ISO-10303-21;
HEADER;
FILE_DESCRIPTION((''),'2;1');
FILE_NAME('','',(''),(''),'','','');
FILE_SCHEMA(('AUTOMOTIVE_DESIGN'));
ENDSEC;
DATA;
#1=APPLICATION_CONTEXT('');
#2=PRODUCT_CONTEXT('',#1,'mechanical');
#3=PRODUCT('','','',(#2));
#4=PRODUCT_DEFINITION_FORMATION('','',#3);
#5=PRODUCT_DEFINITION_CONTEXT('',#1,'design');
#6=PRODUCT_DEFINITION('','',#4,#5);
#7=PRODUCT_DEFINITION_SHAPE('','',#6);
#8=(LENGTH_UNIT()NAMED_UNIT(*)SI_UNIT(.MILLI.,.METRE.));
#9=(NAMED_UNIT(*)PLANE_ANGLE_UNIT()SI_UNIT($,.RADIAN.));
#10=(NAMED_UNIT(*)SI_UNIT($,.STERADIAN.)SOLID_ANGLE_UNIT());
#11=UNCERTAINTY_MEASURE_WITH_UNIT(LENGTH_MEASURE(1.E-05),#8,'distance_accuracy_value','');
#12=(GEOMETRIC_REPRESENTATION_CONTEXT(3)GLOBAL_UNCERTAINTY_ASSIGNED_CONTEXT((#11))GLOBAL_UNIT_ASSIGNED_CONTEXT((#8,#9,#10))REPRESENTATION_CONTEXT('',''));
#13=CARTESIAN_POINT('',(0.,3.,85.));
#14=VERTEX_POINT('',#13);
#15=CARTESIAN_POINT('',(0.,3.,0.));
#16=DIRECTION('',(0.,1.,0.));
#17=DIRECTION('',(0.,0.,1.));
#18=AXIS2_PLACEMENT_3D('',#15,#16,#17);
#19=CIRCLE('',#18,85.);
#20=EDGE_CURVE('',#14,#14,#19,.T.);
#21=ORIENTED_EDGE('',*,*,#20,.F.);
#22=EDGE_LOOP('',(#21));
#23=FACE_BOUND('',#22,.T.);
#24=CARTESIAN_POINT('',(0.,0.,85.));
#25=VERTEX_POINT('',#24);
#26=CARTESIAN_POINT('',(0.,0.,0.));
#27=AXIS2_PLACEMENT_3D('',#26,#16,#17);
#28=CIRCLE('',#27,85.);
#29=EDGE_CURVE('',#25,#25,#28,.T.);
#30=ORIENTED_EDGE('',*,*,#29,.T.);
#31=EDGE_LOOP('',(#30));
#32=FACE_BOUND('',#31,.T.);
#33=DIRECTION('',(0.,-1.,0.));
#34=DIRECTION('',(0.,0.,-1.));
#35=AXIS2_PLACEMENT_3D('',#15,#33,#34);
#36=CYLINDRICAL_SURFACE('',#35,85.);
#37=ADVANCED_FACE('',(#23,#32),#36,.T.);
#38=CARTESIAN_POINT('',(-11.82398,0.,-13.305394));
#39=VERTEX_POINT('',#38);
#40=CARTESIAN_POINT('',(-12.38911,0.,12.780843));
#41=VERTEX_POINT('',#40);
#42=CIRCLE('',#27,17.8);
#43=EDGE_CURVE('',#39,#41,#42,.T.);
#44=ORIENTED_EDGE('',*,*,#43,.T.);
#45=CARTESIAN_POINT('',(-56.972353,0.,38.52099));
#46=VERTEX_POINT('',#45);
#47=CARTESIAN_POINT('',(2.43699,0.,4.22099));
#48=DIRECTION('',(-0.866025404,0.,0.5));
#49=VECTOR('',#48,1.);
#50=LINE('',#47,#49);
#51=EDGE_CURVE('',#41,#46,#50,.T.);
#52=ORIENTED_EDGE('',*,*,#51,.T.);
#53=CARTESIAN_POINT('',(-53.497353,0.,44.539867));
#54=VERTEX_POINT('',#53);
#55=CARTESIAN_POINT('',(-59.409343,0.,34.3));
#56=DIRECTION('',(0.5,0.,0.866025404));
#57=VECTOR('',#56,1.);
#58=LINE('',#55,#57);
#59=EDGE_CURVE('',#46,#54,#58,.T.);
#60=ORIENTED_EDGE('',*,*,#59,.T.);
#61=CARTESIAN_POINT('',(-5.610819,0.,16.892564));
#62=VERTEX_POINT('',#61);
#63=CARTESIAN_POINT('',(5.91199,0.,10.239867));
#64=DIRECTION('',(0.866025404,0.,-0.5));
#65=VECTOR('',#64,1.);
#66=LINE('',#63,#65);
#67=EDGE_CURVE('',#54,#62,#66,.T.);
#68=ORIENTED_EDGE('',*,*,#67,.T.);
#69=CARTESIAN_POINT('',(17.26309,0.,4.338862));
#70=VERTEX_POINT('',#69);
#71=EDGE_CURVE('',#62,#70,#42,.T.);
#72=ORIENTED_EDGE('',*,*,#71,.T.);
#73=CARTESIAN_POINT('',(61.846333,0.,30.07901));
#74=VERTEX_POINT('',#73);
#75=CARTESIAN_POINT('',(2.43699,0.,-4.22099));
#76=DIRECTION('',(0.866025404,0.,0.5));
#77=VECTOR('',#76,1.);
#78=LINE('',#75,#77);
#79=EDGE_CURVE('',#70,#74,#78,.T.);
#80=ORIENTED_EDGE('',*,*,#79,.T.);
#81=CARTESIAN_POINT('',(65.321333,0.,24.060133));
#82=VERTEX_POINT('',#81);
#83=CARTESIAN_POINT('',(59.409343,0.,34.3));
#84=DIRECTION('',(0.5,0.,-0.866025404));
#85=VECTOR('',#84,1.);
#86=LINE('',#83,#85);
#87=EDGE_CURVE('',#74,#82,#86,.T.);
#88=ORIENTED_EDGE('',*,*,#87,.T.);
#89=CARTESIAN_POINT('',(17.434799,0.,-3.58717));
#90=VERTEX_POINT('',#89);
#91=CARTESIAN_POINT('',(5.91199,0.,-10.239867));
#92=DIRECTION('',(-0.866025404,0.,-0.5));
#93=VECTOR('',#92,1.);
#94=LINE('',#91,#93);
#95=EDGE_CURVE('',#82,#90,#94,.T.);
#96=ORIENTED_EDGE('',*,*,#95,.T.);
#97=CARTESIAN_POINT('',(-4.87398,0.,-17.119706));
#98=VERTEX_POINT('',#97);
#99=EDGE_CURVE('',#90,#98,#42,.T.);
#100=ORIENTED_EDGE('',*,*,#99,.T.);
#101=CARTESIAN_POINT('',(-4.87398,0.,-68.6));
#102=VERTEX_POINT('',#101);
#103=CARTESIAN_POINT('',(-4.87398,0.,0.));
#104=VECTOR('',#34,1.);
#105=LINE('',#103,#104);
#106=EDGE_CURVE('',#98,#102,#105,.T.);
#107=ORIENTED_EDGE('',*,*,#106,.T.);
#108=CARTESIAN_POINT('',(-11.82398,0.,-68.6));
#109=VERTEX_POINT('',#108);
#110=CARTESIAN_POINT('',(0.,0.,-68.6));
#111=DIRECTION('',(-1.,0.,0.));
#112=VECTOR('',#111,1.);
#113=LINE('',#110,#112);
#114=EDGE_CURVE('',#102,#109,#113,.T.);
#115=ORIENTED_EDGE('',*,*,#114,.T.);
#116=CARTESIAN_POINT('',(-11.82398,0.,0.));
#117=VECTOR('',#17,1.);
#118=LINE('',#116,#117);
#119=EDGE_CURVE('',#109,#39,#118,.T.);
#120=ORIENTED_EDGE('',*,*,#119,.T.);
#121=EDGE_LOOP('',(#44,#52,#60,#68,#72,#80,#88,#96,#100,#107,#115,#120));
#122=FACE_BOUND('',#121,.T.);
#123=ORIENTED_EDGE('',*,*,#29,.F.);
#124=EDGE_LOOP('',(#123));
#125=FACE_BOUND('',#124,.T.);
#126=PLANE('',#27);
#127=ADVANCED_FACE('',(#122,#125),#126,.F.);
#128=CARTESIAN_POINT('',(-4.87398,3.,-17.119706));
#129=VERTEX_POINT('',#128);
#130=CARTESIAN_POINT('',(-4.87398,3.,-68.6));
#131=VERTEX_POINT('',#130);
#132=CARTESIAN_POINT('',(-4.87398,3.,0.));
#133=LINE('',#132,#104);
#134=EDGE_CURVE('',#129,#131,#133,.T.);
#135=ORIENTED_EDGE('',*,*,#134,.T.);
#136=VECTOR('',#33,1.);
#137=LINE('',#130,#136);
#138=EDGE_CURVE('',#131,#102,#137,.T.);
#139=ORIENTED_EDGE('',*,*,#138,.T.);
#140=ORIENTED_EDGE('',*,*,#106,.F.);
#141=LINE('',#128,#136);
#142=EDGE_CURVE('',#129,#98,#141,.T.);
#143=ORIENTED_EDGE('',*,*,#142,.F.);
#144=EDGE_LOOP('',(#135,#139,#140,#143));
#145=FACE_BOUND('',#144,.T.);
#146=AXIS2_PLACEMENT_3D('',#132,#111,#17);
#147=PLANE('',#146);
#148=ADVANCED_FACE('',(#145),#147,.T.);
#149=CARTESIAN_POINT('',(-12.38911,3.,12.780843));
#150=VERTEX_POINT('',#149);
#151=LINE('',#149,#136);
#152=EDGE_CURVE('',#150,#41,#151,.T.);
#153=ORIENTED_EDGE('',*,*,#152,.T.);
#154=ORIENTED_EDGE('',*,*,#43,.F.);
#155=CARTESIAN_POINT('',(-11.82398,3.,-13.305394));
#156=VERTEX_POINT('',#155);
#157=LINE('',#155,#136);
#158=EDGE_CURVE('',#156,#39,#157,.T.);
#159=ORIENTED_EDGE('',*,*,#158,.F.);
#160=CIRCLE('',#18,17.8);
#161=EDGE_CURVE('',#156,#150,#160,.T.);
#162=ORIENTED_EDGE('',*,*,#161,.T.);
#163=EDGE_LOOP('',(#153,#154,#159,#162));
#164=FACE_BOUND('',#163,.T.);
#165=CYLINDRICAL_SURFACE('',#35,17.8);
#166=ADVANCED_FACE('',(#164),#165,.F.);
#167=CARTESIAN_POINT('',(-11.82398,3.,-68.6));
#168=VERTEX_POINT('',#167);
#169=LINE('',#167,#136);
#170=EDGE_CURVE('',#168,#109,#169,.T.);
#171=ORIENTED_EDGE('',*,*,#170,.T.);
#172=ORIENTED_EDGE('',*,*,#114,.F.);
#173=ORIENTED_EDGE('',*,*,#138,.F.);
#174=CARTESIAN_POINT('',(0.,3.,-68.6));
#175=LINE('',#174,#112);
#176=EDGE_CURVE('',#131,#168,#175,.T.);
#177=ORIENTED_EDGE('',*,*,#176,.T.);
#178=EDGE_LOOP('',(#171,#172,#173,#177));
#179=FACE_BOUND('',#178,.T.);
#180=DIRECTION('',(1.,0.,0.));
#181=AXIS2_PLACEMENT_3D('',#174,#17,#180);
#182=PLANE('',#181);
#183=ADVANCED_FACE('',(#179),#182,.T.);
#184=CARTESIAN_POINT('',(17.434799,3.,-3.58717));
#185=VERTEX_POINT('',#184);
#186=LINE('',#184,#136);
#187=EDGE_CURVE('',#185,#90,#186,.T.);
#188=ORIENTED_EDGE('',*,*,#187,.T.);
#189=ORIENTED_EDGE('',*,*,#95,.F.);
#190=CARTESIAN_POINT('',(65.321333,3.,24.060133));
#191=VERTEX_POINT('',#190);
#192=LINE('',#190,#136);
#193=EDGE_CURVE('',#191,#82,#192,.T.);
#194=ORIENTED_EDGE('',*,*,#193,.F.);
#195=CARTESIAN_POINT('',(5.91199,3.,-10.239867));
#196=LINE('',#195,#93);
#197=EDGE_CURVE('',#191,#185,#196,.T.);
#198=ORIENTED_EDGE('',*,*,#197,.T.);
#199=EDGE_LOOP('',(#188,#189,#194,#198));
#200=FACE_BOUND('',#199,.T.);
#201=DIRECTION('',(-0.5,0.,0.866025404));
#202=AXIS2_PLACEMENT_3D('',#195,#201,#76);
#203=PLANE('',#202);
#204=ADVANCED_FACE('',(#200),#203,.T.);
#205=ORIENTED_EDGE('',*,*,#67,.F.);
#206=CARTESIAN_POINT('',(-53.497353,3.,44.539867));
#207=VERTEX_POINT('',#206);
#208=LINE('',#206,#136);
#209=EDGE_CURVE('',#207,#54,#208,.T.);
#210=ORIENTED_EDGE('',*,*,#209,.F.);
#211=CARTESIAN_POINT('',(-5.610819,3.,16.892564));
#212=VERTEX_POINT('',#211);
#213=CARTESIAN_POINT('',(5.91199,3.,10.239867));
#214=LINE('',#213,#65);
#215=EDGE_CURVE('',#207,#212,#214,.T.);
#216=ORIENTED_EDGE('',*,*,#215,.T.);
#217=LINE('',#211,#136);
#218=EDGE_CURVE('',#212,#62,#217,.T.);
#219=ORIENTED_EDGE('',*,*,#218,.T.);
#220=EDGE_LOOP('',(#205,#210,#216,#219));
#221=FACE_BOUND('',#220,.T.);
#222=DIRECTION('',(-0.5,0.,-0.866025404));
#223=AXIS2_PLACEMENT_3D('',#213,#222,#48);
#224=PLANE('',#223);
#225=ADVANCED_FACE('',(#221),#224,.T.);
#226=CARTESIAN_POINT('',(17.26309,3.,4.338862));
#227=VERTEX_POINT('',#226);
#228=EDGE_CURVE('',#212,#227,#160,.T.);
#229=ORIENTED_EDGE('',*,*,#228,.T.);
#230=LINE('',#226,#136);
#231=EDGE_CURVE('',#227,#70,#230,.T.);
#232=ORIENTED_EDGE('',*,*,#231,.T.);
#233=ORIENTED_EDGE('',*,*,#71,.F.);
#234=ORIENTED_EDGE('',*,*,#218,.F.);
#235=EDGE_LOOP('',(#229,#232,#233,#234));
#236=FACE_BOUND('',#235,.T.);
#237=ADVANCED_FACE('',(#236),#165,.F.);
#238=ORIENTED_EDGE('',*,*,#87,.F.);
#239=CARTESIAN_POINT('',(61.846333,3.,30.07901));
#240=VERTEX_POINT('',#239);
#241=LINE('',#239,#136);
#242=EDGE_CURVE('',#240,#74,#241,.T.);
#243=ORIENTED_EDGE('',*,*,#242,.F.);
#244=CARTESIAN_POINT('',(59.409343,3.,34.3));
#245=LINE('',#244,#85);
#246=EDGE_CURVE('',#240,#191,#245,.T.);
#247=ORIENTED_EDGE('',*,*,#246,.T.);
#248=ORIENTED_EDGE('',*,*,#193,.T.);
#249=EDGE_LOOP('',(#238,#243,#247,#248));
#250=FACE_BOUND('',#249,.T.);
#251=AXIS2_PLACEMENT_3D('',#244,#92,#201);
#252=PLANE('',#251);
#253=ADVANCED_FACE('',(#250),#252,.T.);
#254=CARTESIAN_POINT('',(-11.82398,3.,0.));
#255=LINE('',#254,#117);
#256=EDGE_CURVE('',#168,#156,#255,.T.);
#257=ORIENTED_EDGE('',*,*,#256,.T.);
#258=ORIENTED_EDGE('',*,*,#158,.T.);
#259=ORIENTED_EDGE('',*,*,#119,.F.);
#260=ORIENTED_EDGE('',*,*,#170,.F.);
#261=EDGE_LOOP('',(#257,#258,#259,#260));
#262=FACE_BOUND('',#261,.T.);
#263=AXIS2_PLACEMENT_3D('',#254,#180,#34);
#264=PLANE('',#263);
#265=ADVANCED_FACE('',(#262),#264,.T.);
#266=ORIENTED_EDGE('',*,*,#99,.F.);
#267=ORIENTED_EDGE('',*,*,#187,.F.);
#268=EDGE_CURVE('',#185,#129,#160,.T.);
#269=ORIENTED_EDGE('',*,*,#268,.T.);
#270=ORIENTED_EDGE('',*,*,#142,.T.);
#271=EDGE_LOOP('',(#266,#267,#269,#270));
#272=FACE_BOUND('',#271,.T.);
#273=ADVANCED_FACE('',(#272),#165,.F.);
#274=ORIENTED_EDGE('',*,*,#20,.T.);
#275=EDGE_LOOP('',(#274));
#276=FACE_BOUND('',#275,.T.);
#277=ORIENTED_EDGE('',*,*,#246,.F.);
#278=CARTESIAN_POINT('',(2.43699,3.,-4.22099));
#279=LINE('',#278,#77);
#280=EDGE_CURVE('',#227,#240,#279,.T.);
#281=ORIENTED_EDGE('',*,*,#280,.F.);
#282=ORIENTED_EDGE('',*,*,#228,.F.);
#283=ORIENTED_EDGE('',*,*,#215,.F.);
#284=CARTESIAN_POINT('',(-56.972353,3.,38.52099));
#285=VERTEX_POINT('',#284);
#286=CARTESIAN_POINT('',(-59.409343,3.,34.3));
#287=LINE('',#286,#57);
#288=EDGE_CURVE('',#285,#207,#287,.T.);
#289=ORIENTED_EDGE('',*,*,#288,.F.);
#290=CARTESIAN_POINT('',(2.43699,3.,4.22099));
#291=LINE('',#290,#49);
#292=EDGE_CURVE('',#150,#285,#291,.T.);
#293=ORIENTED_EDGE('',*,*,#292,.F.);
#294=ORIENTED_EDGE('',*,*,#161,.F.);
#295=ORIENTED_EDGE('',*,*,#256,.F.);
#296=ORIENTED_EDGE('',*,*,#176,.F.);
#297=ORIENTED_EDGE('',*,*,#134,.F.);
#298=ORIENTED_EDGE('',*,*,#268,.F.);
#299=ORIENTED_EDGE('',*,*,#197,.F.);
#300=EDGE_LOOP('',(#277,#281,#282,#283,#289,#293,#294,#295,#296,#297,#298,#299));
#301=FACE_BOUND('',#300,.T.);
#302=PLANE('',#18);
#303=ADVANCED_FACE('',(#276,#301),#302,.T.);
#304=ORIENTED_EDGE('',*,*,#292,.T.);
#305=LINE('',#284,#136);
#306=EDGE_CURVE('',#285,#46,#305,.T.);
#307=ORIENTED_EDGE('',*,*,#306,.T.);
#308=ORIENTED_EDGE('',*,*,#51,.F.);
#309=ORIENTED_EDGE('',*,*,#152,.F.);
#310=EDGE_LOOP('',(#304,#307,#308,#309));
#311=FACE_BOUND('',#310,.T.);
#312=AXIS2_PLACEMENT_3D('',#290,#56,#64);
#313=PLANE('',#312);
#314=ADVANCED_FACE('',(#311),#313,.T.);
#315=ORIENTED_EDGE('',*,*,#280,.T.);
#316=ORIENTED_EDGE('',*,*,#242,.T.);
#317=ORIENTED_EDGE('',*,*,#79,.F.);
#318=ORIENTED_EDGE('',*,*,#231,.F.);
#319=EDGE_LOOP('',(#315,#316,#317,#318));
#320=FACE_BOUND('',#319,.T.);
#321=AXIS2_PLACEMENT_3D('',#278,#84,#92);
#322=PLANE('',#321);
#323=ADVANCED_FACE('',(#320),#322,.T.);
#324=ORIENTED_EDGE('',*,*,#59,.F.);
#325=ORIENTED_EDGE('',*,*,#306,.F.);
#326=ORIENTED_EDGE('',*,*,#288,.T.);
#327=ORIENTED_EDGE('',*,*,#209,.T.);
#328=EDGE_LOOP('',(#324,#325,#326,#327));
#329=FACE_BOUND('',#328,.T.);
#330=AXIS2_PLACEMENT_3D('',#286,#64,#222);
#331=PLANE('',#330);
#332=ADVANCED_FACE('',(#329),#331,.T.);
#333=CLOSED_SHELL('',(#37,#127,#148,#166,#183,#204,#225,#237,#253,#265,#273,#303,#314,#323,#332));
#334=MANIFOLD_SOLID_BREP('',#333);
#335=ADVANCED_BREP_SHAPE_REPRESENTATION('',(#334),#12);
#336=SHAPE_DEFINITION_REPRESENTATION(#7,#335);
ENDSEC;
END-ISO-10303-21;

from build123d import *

# Parameters (mm, degrees)
CROQUIS3_R              = 85
SALIENTE_EXTRUIR1_DEPTH = 3


with BuildPart() as part:
    # Croquis3 → Saliente-Extruir1 (new body)
    with BuildSketch(Plane(origin=(0, 0, 0), x_dir=(1, 0, 0), z_dir=(0, 1, 0))):
        with Locations(Location((0, 0, 0), (0, 0, 270))):
            Circle(CROQUIS3_R)
        with BuildLine():
            Line((-4.87398, 68.6), (-4.87398, 17.119705575))
            ThreePointArc((-4.87398, 17.119705575), (9.231788563, 15.218872492), (17.434798803, 3.587170289))
            Line((17.434798803, 3.587170289), (65.3213327, -24.060132946))
            Line((65.3213327, -24.060132946), (61.8463327, -30.079009502))
            Line((61.8463327, -30.079009502), (17.263089933, -4.33886229))
            ThreePointArc((17.263089933, -4.33886229), (8.564035914, -15.604399664), (-5.610818803, -16.892563818))
            Line((-5.610818803, -16.892563818), (-53.4973527, -44.539867054))
            Line((-53.4973527, -44.539867054), (-56.9723527, -38.520990498))
            Line((-56.9723527, -38.520990498), (-12.389109933, -12.780843285))
            ThreePointArc((-12.389109933, -12.780843285), (-17.795824477, 0.385527171), (-11.82398, 13.305393529))
            Line((-11.82398, 13.305393529), (-11.82398, 68.6))
            Line((-11.82398, 68.6), (-4.87398, 68.6))
        make_face(mode=Mode.SUBTRACT)
    extrude(amount=SALIENTE_EXTRUIR1_DEPTH)


solid = part.part
